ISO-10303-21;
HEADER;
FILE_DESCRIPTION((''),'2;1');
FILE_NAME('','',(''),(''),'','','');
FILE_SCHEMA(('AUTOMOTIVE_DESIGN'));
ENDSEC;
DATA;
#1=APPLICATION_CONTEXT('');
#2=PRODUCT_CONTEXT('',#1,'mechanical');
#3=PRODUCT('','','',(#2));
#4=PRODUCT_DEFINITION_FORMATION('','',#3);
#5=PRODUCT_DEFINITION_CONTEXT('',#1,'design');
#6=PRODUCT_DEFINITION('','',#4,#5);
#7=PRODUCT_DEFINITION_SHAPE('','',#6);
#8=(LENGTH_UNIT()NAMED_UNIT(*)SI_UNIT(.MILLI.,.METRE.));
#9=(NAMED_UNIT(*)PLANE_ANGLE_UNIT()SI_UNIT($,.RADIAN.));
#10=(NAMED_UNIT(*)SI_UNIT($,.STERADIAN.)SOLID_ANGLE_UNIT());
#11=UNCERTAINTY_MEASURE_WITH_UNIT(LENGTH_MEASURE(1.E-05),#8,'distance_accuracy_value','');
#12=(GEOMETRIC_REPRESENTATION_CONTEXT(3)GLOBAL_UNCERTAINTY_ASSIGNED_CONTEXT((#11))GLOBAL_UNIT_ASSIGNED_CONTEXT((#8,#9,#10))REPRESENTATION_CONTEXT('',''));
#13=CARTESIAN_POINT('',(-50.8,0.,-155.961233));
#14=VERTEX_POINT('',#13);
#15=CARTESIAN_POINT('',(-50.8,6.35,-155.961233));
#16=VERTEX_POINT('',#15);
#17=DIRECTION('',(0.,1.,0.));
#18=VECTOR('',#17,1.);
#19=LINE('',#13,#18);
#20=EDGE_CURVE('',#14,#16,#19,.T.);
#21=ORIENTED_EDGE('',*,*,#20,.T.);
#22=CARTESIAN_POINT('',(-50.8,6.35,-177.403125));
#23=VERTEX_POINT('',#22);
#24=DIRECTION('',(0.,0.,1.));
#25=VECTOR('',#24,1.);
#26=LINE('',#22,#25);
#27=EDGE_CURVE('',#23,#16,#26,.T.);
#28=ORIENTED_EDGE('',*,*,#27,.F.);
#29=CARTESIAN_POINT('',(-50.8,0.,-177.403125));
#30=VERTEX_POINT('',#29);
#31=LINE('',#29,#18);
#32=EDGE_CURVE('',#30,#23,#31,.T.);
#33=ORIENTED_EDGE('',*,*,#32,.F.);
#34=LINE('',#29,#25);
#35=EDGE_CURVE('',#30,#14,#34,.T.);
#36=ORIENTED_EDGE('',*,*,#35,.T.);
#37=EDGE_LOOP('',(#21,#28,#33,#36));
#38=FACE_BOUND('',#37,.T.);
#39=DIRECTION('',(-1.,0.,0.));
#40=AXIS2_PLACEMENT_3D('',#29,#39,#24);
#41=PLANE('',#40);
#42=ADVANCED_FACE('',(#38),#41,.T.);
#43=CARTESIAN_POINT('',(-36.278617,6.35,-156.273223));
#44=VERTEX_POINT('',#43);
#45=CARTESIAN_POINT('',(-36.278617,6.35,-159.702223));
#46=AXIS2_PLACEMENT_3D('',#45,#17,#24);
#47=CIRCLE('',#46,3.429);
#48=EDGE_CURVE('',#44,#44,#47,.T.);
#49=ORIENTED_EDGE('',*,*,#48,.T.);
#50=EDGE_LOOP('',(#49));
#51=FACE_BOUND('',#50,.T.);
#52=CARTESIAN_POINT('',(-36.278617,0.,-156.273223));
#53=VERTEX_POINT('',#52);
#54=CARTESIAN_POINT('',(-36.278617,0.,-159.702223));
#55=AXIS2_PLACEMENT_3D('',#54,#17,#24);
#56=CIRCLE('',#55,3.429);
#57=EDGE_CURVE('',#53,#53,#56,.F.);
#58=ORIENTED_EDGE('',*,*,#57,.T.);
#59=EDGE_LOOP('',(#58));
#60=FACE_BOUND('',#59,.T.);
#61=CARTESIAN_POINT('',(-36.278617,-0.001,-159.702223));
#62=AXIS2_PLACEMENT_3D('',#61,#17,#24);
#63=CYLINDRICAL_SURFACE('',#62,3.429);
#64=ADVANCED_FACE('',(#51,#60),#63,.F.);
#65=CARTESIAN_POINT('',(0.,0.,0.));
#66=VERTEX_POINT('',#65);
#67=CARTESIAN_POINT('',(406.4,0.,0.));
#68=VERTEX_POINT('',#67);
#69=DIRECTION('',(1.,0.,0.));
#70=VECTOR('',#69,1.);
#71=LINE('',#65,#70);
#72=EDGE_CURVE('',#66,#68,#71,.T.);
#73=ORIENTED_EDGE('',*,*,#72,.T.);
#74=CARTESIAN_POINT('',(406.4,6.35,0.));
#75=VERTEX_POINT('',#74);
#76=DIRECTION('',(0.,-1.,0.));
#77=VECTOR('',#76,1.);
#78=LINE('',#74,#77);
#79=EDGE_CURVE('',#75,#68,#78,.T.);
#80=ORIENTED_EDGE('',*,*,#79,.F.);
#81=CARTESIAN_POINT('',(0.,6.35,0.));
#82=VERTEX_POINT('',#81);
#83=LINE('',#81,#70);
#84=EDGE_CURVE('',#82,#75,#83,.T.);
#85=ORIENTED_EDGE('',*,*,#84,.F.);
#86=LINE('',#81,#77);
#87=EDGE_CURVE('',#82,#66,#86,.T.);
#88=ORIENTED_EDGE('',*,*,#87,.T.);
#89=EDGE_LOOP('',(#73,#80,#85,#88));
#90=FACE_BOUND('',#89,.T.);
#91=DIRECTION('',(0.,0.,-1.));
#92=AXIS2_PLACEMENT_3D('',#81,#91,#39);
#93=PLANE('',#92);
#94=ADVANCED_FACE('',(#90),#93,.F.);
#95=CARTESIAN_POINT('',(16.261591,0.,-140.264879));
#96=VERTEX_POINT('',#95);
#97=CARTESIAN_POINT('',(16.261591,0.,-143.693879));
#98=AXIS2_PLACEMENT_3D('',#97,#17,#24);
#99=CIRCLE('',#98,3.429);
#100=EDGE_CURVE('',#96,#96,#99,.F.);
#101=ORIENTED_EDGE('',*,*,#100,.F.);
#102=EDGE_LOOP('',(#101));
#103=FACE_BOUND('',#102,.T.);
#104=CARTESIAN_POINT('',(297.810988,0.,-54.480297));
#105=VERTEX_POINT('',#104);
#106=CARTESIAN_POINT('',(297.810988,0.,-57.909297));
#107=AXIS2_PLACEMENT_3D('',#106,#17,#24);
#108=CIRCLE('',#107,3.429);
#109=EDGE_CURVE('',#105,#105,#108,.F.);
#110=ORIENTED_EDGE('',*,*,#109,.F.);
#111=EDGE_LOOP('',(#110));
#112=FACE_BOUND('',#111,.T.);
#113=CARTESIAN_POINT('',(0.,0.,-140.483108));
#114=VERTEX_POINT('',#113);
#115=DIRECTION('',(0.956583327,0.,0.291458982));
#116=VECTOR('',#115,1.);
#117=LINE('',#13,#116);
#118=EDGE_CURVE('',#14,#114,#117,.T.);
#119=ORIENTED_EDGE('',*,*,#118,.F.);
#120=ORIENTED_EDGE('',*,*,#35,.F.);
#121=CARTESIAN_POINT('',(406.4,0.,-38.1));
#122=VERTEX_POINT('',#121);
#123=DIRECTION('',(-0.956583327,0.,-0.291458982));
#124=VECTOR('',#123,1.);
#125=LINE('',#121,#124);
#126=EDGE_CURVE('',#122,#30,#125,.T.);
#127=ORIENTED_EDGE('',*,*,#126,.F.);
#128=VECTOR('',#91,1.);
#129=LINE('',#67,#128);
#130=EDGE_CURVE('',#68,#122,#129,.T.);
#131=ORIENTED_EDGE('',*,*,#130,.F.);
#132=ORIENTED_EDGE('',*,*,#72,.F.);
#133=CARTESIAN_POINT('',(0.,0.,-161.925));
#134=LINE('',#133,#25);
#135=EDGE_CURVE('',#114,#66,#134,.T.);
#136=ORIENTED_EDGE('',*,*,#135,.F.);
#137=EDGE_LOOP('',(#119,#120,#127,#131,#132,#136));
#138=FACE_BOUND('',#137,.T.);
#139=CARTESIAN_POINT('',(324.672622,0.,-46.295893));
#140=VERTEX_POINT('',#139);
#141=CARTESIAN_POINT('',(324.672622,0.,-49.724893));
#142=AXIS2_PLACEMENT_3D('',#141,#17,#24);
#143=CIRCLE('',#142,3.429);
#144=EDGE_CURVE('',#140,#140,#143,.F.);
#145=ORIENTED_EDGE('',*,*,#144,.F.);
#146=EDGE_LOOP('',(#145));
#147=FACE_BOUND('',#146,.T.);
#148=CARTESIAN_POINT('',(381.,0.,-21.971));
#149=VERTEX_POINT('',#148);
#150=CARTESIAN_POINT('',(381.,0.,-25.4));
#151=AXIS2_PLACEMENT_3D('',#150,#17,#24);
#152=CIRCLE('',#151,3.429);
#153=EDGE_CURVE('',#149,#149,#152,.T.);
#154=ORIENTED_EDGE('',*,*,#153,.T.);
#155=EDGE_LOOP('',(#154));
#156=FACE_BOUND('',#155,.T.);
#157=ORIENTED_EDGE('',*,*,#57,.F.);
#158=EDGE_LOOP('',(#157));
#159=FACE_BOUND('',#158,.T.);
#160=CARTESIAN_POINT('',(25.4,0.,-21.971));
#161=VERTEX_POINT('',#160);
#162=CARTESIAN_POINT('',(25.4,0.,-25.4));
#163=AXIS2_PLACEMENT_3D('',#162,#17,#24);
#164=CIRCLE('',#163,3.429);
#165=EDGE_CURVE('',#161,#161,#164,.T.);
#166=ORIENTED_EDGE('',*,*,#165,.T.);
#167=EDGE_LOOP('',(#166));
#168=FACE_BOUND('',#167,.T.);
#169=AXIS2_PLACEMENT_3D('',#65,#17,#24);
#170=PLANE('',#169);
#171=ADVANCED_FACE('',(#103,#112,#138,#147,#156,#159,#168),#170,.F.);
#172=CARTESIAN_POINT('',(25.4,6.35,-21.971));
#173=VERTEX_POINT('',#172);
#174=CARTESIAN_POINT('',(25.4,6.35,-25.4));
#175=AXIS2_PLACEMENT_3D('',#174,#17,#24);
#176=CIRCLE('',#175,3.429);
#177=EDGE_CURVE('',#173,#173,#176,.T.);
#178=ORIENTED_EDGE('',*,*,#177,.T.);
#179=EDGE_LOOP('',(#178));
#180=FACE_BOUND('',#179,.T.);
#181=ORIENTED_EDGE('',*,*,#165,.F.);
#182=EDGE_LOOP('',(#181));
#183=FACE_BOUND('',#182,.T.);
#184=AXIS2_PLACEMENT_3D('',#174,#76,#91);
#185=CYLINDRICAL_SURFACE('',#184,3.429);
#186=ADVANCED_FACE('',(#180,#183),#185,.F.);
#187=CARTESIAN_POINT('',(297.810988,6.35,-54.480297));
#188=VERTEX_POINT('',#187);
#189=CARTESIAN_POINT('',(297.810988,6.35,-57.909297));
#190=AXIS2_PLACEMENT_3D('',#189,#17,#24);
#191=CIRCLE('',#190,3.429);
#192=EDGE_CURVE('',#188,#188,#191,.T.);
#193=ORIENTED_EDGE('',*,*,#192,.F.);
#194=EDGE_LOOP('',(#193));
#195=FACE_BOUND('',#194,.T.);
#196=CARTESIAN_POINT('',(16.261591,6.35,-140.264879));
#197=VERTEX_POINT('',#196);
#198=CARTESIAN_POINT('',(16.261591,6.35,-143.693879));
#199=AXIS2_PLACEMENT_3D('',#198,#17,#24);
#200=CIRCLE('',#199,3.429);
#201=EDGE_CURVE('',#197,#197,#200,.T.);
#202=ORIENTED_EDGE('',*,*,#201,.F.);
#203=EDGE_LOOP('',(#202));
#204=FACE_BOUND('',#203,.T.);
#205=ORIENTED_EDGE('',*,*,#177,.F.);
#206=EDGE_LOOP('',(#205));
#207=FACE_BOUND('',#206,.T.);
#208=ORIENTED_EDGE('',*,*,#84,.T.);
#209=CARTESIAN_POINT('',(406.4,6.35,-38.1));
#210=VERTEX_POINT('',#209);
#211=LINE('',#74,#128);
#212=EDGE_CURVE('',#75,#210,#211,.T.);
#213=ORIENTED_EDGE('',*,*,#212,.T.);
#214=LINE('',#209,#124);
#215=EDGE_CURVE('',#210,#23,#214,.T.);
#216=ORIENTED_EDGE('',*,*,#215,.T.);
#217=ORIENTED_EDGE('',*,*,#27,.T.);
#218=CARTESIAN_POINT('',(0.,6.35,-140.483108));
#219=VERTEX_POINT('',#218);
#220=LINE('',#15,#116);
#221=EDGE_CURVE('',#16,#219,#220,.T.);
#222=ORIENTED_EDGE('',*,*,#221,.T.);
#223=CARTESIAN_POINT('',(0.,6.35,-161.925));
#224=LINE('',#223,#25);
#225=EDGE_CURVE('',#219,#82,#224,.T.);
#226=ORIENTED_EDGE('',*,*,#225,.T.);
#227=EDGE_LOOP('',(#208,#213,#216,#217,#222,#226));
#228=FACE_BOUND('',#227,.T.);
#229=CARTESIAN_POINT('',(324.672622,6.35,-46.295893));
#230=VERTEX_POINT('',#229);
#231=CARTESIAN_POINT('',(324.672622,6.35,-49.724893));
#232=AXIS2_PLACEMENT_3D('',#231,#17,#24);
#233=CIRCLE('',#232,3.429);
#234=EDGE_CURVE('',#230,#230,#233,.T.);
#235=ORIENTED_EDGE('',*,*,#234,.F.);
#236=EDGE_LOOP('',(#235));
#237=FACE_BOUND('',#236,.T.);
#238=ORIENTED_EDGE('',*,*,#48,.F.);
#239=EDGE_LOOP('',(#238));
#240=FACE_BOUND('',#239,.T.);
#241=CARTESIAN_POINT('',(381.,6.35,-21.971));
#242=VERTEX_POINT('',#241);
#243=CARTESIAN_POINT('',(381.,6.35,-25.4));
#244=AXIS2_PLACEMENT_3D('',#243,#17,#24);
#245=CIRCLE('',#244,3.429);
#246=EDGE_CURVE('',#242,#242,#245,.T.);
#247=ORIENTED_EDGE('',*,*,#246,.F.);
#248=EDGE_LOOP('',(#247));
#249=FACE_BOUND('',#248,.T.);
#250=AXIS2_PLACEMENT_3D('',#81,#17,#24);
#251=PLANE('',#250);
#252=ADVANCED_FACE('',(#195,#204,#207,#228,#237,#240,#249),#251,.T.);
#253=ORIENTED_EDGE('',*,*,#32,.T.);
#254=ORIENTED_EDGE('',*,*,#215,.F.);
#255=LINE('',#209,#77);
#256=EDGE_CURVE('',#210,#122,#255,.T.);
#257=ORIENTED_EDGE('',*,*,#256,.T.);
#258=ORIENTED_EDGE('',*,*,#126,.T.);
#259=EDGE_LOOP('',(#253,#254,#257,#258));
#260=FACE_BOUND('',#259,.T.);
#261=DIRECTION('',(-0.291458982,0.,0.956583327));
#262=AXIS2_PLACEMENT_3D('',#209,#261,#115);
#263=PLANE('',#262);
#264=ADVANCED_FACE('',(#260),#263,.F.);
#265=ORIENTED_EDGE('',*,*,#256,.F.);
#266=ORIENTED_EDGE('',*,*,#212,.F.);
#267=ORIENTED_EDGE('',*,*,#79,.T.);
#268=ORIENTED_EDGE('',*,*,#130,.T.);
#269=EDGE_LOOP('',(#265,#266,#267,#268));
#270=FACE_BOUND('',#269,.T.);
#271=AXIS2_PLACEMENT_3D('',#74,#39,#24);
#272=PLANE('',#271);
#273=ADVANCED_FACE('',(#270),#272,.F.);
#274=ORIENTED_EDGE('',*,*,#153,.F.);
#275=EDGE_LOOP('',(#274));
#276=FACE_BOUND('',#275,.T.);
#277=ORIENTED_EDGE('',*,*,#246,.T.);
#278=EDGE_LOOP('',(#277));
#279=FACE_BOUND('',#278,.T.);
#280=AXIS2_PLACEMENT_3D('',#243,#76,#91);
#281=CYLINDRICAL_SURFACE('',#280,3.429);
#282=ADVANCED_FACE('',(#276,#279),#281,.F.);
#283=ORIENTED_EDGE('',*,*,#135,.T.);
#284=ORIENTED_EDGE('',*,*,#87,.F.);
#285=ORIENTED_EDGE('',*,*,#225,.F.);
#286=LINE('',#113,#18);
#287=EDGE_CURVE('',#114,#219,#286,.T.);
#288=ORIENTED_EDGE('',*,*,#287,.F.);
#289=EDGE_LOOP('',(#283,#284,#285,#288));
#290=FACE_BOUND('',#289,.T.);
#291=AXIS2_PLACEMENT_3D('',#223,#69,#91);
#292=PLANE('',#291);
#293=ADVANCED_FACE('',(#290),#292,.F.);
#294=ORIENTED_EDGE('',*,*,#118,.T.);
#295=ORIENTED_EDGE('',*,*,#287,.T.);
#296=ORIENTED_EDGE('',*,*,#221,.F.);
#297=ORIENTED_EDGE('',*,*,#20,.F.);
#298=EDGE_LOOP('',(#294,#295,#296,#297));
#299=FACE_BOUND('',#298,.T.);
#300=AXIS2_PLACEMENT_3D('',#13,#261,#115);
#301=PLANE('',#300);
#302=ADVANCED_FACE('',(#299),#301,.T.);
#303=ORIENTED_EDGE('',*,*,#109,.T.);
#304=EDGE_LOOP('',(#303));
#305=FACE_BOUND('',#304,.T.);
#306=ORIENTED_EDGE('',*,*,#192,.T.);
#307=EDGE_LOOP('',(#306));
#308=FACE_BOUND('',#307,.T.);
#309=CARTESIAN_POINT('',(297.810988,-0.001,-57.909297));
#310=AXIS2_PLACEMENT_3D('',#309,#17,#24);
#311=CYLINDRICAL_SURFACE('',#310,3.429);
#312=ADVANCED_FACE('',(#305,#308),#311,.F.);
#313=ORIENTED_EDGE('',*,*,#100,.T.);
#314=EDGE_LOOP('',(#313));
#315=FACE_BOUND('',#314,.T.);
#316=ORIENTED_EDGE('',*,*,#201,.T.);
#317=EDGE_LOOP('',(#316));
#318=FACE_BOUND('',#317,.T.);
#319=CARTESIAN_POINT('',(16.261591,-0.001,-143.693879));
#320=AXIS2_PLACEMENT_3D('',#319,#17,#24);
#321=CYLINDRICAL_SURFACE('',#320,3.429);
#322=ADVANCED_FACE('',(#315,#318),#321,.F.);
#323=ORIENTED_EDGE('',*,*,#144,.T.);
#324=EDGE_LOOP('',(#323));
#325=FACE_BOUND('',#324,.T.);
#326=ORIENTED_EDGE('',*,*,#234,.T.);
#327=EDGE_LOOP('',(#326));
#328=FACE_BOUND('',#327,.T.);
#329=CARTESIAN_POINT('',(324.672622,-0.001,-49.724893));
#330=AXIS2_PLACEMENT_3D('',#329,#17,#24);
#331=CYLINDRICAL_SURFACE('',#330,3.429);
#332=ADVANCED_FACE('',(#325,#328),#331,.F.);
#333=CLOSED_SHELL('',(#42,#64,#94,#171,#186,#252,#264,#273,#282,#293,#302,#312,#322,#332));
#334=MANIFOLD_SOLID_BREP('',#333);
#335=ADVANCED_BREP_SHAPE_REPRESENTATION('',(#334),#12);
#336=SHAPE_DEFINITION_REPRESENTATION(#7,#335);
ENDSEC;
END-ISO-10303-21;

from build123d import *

# Parameters (mm, degrees)
SKETCH1_R           = 3.429
BOSS_EXTRUDE1_DEPTH = 6.35
BOSS_EXTRUDE2_DEPTH = 6.35
CUT_EXTRUDE1_REACH  = 8.35
SKETCH3_R           = 3.429


with BuildPart() as part:
    # Sketch1 → Boss-Extrude1 (new body)
    with BuildSketch(Plane(origin=(0, 0, 0), x_dir=(1, 0, 0), z_dir=(0, 1, 0))):
        Polygon((0, 0), (406.4, 0), (406.4, 38.1), (0, 161.925), align=None)
        with Locations((381, 25.4)):
            Circle(SKETCH1_R, mode=Mode.SUBTRACT)
        with Locations((25.4, 25.4)):
            Circle(SKETCH1_R, mode=Mode.SUBTRACT)
    extrude(amount=BOSS_EXTRUDE1_DEPTH)

    # Sketch2 → Boss-Extrude2 (add)
    with BuildSketch(Plane(origin=(0, 6.35, 0), x_dir=(1, 0, 0), z_dir=(0, 1, 0))):
        Polygon((0, 161.925), (-50.8, 177.403125), (-50.8, 155.961232961), (0, 140.483107961), align=None)
    extrude(amount=-BOSS_EXTRUDE2_DEPTH)

    # Sketch3 → Cut-Extrude1 (cut, up to next)
    with BuildSketch(Plane(origin=(0, 6.35, 0), x_dir=(1, 0, 0), z_dir=(0, 1, 0)), mode=Mode.PRIVATE) as cut_extrude1_sk1:
        with Locations((324.672621663, 49.724892693)):
            Circle(SKETCH3_R)
    cut_extrude1_tool1 = extrude(cut_extrude1_sk1.sketch, amount=-CUT_EXTRUDE1_REACH, mode=Mode.PRIVATE) & part.part
    add(cut_extrude1_tool1.solids().sort_by_distance((324.672622, 6.35, -49.724893))[0], mode=Mode.SUBTRACT)
    # Sketch3 → Cut-Extrude1 (cut, up to next)
    with BuildSketch(Plane(origin=(0, 6.35, 0), x_dir=(1, 0, 0), z_dir=(0, 1, 0)), mode=Mode.PRIVATE) as cut_extrude1_sk2:
        with Locations((16.261590572, 143.693878729)):
            Circle(SKETCH3_R)
    cut_extrude1_tool2 = extrude(cut_extrude1_sk2.sketch, amount=-CUT_EXTRUDE1_REACH, mode=Mode.PRIVATE) & part.part
    add(cut_extrude1_tool2.solids().sort_by_distance((16.261591, 6.35, -143.693879))[0], mode=Mode.SUBTRACT)
    # Sketch3 → Cut-Extrude1 (cut, up to next)
    with BuildSketch(Plane(origin=(0, 6.35, 0), x_dir=(1, 0, 0), z_dir=(0, 1, 0)), mode=Mode.PRIVATE) as cut_extrude1_sk3:
        with Locations((297.810987833, 57.909296751)):
            Circle(SKETCH3_R)
    cut_extrude1_tool3 = extrude(cut_extrude1_sk3.sketch, amount=-CUT_EXTRUDE1_REACH, mode=Mode.PRIVATE) & part.part
    add(cut_extrude1_tool3.solids().sort_by_distance((297.810988, 6.35, -57.909297))[0], mode=Mode.SUBTRACT)
    # Sketch3 → Cut-Extrude1 (cut, up to next)
    with BuildSketch(Plane(origin=(0, 6.35, 0), x_dir=(1, 0, 0), z_dir=(0, 1, 0)), mode=Mode.PRIVATE) as cut_extrude1_sk4:
        with Locations((-36.278616697, 159.702223131)):
            Circle(SKETCH3_R)
    cut_extrude1_tool4 = extrude(cut_extrude1_sk4.sketch, amount=-CUT_EXTRUDE1_REACH, mode=Mode.PRIVATE) & part.part
    add(cut_extrude1_tool4.solids().sort_by_distance((-36.278617, 6.35, -159.702223))[0], mode=Mode.SUBTRACT)


solid = part.part
